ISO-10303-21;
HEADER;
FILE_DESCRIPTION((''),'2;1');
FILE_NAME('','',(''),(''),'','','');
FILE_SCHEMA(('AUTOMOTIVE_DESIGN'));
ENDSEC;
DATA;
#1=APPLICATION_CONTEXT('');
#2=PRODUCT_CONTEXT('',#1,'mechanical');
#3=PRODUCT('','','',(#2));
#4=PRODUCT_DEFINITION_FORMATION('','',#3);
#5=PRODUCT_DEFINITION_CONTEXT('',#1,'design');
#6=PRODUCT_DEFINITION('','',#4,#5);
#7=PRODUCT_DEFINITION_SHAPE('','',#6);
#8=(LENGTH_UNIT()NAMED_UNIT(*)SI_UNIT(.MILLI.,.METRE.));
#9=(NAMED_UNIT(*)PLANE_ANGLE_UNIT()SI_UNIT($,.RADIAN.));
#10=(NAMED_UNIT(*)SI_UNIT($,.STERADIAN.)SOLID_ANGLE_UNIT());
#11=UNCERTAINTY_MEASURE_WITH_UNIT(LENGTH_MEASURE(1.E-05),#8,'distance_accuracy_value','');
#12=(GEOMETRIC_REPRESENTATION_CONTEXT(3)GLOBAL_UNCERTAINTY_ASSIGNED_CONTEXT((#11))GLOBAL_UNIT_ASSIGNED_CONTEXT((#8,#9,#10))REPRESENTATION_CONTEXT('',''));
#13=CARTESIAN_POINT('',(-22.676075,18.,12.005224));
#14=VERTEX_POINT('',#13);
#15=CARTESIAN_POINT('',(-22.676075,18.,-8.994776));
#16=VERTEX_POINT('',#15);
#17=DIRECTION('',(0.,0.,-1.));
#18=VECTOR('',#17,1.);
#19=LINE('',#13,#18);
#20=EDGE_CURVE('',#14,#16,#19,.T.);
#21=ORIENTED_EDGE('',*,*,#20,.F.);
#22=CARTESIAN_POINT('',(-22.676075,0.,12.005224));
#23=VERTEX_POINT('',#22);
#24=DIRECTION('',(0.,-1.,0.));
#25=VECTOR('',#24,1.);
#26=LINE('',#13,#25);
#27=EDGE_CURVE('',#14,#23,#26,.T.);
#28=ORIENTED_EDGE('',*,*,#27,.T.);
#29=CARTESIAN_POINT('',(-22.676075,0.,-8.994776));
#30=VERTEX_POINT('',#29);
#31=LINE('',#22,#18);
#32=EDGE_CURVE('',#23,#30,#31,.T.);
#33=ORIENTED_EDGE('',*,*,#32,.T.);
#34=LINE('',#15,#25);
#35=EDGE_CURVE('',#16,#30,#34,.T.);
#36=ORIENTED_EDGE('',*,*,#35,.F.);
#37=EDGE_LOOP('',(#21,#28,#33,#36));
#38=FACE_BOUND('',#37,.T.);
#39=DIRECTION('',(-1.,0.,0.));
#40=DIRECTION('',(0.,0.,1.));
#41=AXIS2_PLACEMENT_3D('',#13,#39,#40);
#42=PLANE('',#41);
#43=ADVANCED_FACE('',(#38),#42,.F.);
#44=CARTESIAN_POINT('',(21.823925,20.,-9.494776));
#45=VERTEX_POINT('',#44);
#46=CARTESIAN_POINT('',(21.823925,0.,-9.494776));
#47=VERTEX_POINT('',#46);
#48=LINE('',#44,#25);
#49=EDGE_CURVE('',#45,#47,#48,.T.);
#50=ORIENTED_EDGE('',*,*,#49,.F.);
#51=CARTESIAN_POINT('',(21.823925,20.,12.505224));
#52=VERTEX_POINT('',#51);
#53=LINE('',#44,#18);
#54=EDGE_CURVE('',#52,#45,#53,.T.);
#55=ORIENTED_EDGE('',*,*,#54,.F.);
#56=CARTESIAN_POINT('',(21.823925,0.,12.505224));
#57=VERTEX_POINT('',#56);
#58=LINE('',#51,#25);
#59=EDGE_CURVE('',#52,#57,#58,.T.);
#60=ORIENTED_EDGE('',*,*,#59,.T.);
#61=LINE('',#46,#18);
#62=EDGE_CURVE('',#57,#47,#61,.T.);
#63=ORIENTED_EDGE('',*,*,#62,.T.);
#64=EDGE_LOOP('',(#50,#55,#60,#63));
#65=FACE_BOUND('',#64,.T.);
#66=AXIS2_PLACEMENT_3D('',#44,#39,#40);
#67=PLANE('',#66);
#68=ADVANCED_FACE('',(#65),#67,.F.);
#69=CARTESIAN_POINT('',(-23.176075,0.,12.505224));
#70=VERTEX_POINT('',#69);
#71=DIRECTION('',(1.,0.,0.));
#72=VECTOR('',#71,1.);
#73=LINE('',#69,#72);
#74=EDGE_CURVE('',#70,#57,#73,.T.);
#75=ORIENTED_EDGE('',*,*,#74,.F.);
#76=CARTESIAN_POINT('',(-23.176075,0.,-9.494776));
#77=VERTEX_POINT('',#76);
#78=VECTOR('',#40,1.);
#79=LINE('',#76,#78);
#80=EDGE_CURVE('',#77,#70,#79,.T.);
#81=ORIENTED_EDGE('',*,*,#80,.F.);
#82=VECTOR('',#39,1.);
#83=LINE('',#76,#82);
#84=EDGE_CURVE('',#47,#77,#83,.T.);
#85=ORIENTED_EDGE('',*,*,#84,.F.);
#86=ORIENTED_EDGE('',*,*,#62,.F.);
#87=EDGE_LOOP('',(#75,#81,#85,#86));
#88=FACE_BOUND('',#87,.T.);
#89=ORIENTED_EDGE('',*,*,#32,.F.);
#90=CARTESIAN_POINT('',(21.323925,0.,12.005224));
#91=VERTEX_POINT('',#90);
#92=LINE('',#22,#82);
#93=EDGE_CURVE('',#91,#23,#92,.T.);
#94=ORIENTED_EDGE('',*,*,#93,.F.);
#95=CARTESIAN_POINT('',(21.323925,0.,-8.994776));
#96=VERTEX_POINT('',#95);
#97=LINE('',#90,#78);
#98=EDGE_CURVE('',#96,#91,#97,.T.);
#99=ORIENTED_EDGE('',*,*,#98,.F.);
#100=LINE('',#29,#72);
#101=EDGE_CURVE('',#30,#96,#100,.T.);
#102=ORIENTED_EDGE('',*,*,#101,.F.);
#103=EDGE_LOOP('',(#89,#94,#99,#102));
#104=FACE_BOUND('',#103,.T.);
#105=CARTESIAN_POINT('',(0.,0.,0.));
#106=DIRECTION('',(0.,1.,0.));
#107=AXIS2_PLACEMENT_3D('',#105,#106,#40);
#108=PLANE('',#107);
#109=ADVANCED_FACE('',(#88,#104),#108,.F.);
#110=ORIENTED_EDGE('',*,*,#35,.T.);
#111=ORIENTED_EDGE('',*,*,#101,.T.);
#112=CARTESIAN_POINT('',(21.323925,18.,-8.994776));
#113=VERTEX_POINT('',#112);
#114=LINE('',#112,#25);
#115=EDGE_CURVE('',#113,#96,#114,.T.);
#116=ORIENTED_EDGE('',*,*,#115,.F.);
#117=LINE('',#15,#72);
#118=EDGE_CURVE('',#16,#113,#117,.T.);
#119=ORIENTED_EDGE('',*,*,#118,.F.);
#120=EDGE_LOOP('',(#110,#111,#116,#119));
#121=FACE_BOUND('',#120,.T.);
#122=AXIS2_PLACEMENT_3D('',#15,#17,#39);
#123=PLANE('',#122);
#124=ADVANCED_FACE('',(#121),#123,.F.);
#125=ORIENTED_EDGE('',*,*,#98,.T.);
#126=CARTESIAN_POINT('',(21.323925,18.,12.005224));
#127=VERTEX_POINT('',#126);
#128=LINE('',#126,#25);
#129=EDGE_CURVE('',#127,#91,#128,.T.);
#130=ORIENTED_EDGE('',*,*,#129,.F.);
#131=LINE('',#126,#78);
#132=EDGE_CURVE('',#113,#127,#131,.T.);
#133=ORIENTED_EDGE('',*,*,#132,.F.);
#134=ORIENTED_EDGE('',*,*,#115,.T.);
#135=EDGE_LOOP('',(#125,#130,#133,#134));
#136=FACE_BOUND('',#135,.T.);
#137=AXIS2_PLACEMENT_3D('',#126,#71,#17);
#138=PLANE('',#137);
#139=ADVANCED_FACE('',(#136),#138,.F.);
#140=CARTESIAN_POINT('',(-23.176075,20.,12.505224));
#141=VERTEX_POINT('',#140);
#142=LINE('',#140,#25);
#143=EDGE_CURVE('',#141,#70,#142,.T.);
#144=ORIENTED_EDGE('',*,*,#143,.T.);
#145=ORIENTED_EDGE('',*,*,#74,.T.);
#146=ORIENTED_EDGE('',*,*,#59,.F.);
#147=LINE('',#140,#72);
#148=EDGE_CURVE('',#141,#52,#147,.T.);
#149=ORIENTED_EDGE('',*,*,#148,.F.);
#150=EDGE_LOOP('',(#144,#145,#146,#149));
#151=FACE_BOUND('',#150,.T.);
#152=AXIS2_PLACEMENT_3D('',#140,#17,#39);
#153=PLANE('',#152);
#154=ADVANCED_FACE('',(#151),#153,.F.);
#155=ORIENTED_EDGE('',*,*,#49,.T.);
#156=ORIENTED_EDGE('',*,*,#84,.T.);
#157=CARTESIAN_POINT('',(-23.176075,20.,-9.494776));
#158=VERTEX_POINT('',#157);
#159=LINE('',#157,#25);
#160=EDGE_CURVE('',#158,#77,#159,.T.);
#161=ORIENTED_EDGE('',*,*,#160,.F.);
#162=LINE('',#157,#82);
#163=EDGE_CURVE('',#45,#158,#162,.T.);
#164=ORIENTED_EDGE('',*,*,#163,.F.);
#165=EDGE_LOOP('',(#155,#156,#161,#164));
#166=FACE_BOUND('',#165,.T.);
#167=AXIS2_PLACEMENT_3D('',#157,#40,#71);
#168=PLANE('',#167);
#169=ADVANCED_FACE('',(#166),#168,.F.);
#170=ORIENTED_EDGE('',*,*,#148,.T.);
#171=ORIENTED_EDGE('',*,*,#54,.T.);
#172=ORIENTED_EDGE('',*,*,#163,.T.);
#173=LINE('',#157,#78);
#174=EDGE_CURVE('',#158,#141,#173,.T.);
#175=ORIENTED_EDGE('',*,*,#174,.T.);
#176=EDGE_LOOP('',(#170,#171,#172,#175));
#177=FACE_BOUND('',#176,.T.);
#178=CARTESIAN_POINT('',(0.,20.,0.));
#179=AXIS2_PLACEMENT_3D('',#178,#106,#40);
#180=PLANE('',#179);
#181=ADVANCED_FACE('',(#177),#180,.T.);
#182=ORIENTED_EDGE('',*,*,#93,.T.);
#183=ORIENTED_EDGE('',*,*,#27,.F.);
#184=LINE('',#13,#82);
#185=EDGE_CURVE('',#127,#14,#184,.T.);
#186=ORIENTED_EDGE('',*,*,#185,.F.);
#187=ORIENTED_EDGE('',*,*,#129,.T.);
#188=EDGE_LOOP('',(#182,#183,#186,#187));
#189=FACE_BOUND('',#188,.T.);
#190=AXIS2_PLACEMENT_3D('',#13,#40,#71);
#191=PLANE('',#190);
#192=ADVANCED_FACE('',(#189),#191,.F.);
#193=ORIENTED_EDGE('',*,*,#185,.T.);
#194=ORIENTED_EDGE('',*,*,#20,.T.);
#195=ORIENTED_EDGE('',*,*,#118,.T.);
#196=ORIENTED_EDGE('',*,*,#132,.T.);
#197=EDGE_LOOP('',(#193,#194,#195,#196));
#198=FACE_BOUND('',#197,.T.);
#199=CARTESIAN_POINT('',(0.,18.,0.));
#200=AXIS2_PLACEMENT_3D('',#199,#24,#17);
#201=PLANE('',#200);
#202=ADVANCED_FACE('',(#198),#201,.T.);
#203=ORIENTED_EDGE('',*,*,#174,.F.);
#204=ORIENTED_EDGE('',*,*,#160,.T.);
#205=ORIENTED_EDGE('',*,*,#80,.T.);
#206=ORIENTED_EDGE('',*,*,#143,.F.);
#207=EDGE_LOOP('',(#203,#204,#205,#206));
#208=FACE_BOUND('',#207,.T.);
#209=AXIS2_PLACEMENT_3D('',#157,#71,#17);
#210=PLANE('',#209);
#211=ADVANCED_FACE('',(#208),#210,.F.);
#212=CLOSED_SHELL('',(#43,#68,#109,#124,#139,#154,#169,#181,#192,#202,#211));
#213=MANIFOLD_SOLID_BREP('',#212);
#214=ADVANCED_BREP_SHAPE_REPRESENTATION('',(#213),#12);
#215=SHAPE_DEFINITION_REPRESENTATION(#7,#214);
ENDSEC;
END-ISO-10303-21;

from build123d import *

# Parameters (mm, degrees)
SKETCH1_W           = 45
SKETCH1_H           = 22
BOSS_EXTRUDE1_DEPTH = 20
SKETCH2_W           = 44
SKETCH2_H           = 21
CUT_EXTRUDE1_DEPTH  = 18


with BuildPart() as part:
    # Sketch1 → Boss-Extrude1 (new body)
    with BuildSketch(Plane(origin=(0, 0, 0), x_dir=(1, 0, 0), z_dir=(0, 1, 0))):
        with Locations((-0.676075234, -1.505224482)):
            Rectangle(SKETCH1_W, SKETCH1_H)
    extrude(amount=BOSS_EXTRUDE1_DEPTH)

    # Sketch2 → Cut-Extrude1 (cut)
    with BuildSketch(Plane.XZ):
        with Locations((-0.676075234, 1.505224482)):
            Rectangle(SKETCH2_W, SKETCH2_H)
    extrude(amount=-CUT_EXTRUDE1_DEPTH, mode=Mode.SUBTRACT)


solid = part.part
